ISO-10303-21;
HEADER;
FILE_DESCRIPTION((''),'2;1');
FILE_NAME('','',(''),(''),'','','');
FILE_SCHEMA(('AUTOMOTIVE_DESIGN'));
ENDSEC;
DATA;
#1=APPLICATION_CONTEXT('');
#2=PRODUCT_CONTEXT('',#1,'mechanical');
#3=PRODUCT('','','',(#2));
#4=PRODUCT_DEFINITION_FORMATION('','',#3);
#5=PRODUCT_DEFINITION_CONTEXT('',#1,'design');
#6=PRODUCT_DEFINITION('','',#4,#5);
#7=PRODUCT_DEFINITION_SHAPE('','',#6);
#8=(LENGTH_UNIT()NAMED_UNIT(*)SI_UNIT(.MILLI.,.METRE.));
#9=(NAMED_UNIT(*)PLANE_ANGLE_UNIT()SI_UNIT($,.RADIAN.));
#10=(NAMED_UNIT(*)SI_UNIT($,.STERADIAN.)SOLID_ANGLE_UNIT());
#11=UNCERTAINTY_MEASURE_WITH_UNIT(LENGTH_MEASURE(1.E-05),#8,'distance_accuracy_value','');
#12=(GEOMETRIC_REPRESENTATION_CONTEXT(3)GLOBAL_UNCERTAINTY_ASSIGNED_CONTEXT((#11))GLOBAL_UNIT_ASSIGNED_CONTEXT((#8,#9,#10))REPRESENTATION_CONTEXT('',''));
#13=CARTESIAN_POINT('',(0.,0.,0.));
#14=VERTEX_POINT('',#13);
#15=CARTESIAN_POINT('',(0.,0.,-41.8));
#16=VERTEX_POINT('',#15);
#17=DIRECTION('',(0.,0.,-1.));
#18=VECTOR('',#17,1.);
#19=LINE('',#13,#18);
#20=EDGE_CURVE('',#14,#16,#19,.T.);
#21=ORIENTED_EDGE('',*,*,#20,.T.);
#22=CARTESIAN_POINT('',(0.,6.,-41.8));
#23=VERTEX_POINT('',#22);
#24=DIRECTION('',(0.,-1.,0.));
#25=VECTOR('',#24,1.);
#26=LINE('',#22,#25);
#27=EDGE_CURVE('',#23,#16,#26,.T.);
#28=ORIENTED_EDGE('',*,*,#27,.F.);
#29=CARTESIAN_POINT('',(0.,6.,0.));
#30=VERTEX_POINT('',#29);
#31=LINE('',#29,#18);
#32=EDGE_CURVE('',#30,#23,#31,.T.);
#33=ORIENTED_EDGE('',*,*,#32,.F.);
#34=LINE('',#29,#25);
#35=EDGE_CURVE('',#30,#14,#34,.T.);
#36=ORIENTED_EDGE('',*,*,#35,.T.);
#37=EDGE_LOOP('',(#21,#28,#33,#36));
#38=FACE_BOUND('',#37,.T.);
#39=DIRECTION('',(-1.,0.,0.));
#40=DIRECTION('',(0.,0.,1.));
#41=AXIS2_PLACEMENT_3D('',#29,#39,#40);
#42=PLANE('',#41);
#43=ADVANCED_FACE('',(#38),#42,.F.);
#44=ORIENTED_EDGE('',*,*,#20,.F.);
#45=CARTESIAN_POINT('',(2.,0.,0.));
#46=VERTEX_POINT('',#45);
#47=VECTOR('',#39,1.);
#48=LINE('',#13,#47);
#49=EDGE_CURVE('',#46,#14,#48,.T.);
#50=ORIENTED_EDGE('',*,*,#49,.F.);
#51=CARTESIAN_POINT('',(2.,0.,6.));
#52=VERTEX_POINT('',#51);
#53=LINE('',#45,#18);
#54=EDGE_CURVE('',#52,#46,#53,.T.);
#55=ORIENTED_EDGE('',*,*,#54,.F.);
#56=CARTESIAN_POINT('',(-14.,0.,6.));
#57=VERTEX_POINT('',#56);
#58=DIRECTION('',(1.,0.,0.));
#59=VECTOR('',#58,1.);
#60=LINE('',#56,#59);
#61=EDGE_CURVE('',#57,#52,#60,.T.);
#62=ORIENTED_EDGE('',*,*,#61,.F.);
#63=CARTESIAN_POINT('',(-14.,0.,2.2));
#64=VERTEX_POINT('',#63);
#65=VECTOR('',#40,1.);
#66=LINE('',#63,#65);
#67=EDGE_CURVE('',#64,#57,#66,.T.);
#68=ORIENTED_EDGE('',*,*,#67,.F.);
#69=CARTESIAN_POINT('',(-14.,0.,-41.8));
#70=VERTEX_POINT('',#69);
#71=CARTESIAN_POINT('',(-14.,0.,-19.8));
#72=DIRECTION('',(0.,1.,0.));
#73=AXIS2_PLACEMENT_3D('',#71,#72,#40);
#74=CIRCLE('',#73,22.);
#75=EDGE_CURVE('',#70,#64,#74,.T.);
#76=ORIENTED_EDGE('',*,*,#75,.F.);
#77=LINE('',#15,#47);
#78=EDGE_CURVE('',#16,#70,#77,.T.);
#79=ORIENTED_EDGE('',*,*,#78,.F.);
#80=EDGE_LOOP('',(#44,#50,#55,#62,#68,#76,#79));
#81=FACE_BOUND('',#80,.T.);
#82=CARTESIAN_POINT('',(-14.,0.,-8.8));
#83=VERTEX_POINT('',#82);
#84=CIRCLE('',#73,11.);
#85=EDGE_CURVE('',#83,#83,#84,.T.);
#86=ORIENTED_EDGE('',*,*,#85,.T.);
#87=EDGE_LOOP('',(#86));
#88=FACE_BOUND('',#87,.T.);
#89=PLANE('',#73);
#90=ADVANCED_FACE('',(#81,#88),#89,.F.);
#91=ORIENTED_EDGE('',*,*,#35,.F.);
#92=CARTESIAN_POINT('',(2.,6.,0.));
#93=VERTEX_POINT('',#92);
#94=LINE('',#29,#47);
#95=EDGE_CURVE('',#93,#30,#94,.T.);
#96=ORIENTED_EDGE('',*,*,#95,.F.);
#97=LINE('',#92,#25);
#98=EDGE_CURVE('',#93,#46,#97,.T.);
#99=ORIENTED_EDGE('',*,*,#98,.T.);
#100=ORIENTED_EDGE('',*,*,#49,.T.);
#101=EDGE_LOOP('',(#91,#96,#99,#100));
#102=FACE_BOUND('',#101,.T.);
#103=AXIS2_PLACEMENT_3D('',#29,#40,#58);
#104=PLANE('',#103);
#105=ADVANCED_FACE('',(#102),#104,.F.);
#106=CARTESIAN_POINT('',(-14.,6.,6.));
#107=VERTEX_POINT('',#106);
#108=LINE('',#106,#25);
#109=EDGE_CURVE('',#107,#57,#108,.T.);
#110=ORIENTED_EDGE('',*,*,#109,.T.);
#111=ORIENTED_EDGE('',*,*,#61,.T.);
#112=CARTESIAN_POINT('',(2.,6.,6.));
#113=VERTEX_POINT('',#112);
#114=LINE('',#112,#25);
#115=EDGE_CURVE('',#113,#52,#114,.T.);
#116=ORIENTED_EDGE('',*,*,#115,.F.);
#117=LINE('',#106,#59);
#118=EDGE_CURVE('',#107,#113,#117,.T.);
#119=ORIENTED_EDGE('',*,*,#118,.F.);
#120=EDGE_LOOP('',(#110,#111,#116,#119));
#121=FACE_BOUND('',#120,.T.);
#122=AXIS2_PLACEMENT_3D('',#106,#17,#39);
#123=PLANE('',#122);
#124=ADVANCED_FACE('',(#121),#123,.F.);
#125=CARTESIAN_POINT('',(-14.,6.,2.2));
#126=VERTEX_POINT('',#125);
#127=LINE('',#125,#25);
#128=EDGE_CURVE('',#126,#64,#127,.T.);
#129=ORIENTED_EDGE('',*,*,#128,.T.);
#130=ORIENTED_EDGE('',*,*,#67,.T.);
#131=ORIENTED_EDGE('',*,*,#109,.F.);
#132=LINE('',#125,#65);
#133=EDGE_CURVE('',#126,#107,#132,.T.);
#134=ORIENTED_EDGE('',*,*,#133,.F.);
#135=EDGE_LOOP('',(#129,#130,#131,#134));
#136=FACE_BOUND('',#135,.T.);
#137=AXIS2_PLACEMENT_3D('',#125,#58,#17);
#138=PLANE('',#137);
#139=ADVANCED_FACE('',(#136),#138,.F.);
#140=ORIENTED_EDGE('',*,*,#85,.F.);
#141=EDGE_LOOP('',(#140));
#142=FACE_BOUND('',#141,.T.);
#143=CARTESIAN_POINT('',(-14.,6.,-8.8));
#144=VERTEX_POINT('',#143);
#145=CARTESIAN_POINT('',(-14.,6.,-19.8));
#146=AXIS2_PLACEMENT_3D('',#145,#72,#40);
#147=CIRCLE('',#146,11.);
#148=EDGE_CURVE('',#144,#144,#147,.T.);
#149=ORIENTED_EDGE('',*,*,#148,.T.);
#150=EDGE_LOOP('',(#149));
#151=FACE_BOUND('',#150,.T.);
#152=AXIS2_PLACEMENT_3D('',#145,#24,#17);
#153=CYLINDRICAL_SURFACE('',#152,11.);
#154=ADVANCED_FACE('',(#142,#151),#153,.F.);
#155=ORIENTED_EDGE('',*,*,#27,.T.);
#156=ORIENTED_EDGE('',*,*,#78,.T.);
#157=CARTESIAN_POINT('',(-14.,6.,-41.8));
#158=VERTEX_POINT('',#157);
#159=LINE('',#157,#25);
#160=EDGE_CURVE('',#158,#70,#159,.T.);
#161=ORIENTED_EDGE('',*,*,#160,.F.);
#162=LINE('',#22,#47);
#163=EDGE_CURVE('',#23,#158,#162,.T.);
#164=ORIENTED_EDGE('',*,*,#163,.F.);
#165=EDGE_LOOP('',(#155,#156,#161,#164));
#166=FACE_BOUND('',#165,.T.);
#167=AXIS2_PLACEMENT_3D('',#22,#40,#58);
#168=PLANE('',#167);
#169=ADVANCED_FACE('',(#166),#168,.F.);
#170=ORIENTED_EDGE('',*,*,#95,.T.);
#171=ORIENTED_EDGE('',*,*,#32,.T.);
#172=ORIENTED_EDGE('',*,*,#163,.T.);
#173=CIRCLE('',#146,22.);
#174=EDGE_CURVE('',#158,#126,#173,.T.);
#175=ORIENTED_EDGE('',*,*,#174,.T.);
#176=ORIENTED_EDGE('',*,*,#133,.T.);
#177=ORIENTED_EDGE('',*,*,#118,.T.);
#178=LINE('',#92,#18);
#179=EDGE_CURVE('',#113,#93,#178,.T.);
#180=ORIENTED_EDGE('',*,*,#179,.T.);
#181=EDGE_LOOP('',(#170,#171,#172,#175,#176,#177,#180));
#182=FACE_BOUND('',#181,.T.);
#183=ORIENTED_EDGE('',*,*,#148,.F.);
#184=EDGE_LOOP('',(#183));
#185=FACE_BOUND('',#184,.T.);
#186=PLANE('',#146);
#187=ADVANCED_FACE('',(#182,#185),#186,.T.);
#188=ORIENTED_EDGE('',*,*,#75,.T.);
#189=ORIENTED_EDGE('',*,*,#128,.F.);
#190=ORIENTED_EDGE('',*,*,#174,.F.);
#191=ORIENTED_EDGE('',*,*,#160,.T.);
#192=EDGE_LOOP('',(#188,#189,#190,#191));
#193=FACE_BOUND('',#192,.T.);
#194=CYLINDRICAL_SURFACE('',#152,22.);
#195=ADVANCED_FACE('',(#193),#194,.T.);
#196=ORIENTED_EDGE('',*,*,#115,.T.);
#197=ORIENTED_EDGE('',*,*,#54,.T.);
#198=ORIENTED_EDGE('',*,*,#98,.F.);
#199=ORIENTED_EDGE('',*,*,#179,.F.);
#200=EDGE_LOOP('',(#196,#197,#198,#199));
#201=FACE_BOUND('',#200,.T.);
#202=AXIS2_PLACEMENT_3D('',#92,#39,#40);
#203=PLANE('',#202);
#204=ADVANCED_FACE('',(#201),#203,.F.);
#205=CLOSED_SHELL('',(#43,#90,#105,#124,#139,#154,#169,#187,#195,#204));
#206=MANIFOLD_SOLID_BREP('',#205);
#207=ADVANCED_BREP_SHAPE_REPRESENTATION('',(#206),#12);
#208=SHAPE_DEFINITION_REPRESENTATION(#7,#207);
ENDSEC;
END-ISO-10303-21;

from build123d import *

# Parameters (mm, degrees)
SKETCH1_R           = 11
BOSS_EXTRUDE1_DEPTH = 6


with BuildPart() as part:
    # Sketch1 → Boss-Extrude1 (new body)
    with BuildSketch(Plane(origin=(0, 0, 0), x_dir=(1, 0, 0), z_dir=(0, 1, 0))):
        with BuildLine():
            Line((0, 0), (0, 41.8))
            Line((0, 41.8), (-14, 41.8))
            ThreePointArc((-14, 41.8), (-36, 19.8), (-14, -2.2))
            Line((-14, -2.2), (-14, -6))
            Line((-14, -6), (2, -6))
            Line((2, -6), (2, 0))
            Line((2, 0), (0, 0))
        make_face()
        with Locations(Location((-14, 19.8, 0), (0, 0, 270))):
            Circle(SKETCH1_R, mode=Mode.SUBTRACT)
    extrude(amount=BOSS_EXTRUDE1_DEPTH)


solid = part.part
